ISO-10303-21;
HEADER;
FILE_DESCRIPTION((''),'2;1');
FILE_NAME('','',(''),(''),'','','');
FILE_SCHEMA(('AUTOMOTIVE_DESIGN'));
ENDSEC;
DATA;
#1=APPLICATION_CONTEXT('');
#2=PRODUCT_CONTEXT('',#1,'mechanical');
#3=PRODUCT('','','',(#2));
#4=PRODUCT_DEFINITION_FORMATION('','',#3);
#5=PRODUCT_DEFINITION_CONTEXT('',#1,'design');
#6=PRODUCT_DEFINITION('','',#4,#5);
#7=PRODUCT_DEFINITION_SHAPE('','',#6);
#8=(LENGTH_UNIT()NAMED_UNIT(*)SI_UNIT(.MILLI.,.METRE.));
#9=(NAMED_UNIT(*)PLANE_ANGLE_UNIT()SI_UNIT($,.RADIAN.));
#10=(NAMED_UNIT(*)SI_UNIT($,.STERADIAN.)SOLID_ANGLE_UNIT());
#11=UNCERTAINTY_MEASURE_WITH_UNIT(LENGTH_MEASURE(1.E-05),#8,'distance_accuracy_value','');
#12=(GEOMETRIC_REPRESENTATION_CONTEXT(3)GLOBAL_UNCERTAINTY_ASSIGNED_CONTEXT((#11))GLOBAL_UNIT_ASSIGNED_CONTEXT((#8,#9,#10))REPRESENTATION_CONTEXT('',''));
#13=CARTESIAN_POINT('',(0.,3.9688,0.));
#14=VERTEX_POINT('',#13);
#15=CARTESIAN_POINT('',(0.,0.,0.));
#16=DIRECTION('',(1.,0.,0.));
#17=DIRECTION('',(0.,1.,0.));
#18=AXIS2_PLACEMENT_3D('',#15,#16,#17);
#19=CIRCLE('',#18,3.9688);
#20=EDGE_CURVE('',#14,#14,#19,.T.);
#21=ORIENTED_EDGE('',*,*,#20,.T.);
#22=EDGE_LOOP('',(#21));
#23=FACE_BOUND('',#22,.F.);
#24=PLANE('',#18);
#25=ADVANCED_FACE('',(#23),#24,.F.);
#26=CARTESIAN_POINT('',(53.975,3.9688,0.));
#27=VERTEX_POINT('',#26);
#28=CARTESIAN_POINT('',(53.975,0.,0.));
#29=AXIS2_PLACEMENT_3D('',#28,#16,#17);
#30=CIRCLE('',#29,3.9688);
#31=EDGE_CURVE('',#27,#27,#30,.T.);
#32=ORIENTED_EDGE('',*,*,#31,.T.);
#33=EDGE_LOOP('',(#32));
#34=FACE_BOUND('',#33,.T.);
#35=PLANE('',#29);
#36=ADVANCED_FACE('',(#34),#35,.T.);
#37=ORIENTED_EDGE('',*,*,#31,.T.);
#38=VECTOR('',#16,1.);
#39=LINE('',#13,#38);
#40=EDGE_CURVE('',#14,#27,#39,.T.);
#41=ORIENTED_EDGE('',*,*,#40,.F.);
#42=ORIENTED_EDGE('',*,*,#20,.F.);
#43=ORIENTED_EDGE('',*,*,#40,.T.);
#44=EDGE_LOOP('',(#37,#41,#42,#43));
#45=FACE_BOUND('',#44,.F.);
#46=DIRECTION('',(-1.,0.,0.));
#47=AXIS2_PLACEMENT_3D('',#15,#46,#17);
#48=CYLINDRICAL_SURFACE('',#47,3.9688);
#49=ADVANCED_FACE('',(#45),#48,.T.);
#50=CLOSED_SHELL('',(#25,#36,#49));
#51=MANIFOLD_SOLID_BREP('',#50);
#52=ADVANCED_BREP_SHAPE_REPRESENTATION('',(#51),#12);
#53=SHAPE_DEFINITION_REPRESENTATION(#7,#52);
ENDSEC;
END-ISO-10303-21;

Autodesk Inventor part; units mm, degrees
ref_plane "YZ Plane" through (0, 0, 0) normal (1, 0, 0) x (0, 1, 0)
ref_plane "XZ Plane" through (0, 0, 0) normal (0, 1, 0) x (-1, 0, 0)
ref_plane "XY Plane" through (0, 0, 0) normal (0, 0, 1) x (1, 0, 0)
sketch "Sketch1" plane through (0, 0, 0) normal (1, 0, 0) x (0, 1, 0)
  circle A0 centre (0, 0) radius 3.9688
  dimension "d0" = 7.9375
extrude "Extrusion1" add sketch "Sketch1" along normal blind 53.975
properties part number "Short_Shaft"
